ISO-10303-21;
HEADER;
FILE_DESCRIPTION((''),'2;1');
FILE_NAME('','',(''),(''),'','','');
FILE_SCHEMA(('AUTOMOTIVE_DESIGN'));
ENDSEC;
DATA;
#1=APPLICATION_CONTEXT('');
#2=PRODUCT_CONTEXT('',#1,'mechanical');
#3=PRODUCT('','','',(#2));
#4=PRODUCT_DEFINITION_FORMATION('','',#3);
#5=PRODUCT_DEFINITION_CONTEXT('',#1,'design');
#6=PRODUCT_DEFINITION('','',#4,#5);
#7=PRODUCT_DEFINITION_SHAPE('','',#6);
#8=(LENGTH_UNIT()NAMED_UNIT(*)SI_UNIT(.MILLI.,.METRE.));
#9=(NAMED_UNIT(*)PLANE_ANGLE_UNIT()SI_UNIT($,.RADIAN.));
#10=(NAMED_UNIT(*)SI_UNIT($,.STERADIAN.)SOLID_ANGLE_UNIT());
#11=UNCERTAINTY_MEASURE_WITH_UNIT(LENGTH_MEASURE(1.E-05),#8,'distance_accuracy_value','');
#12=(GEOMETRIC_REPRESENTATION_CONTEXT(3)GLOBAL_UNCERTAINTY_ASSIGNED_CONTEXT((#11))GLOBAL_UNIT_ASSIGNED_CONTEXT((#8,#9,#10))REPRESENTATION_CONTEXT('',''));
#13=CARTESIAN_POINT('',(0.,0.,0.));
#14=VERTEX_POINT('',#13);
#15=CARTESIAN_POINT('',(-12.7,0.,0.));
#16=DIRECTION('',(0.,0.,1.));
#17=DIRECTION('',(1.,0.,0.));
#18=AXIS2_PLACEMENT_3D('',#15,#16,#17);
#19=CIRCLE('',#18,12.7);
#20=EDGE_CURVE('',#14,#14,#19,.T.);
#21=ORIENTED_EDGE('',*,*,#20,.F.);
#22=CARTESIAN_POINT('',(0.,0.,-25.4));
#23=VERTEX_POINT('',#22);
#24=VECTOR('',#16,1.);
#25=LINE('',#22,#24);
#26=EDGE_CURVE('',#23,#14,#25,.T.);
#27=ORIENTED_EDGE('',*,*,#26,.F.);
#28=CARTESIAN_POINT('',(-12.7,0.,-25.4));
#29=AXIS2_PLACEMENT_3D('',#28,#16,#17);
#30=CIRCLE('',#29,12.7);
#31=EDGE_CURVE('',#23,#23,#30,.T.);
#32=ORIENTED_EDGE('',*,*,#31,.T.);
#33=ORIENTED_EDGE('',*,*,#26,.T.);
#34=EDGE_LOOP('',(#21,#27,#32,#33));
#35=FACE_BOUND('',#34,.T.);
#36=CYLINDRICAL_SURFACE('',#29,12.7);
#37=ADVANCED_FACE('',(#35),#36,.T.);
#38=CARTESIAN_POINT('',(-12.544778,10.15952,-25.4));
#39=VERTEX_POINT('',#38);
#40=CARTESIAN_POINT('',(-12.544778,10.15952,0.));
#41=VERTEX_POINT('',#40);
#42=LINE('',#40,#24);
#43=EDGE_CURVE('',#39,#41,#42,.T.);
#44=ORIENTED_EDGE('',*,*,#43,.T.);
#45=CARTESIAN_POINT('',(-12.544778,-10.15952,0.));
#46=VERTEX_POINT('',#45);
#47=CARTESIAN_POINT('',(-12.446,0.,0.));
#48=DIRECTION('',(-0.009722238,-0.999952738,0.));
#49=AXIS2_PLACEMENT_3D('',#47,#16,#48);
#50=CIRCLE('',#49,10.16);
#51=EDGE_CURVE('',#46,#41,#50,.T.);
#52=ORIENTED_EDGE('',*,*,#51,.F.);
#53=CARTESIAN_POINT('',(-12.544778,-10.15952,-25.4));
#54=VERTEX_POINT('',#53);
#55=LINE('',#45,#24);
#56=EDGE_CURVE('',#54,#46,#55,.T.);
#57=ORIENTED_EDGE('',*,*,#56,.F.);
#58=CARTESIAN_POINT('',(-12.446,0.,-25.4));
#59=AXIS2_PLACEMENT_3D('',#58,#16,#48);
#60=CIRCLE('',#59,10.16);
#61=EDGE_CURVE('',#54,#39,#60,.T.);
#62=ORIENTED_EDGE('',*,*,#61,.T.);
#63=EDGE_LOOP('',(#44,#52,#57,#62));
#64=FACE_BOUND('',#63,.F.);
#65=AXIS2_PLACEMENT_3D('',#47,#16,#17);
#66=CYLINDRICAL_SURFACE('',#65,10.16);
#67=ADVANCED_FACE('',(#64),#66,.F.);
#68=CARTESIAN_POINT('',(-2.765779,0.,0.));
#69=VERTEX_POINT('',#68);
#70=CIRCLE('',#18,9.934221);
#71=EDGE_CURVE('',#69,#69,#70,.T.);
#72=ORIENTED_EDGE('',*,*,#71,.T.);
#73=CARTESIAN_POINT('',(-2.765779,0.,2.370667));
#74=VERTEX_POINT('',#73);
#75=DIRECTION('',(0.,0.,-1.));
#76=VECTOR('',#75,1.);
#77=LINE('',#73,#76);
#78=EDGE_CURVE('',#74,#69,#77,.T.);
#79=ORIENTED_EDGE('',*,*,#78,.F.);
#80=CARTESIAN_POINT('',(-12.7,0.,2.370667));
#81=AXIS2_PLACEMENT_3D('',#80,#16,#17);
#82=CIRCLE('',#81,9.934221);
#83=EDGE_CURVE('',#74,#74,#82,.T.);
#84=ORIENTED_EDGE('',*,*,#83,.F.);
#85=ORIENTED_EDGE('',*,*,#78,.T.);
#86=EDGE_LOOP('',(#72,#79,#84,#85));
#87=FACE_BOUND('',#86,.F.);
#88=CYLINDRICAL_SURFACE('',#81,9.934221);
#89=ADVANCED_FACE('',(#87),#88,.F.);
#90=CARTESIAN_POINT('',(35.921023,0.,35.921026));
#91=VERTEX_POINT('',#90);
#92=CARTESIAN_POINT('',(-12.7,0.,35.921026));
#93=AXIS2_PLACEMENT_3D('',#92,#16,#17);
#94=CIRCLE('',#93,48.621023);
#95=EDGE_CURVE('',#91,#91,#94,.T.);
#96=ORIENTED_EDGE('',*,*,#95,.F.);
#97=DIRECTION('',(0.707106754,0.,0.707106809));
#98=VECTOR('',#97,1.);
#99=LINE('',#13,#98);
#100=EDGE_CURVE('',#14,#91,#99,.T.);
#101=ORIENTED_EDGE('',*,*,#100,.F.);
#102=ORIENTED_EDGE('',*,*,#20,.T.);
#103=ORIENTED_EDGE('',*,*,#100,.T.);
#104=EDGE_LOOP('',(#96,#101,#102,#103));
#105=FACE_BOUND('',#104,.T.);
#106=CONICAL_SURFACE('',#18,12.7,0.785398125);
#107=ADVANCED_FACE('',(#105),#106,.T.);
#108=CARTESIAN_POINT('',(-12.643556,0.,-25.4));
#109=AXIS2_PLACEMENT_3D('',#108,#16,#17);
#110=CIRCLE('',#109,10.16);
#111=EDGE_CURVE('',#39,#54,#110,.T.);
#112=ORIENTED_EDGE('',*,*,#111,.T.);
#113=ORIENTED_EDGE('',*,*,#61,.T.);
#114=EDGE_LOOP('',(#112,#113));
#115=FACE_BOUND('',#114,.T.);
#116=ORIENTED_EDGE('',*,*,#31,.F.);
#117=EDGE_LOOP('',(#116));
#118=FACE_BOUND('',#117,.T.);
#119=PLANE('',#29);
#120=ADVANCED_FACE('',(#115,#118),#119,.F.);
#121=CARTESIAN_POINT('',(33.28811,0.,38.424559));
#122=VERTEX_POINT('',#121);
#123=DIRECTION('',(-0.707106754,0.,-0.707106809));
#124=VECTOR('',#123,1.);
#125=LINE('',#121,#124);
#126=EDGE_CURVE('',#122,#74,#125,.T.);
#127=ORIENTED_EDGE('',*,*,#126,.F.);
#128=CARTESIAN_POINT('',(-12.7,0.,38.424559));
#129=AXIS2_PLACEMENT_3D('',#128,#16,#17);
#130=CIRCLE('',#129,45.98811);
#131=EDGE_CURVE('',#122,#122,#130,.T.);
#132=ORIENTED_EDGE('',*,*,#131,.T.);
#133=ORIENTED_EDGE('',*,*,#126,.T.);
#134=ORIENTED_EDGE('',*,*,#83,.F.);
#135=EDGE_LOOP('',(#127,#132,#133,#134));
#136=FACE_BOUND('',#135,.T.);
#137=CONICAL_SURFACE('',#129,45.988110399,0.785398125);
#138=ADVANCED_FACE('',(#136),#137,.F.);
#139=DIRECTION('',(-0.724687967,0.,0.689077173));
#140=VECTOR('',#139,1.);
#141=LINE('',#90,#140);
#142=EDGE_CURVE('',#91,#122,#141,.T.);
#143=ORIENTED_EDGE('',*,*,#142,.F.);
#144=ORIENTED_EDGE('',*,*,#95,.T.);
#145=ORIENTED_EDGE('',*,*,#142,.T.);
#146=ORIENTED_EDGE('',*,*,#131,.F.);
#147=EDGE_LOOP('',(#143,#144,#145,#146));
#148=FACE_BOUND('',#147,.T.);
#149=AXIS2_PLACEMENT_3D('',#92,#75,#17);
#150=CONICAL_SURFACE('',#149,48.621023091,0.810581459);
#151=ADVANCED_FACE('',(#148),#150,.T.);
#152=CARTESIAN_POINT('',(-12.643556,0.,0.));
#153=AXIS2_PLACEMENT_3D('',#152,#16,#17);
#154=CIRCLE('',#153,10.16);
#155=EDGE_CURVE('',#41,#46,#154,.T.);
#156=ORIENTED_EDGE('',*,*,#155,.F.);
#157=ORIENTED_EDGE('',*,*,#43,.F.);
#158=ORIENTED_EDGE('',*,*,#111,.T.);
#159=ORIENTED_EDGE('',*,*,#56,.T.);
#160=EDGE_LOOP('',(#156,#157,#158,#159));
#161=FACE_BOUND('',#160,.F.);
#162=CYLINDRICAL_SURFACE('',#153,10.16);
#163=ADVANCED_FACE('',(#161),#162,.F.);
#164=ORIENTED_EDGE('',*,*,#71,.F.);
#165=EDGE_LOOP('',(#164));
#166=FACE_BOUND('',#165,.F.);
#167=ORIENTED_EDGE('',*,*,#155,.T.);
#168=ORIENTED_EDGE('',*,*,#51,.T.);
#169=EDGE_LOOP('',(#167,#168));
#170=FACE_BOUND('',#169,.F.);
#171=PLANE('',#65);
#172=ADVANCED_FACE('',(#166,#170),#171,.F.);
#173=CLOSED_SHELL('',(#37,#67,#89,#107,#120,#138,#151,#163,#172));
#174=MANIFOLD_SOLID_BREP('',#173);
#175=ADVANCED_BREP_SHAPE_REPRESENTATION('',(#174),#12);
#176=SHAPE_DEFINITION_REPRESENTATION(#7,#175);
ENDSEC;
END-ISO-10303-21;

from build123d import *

# Parameters (mm, degrees)
F2_R     = 10.16
F3_DEPTH = 50.8
F4_R     = 10.16
F5_DEPTH = 25.4
F6_DEPTH = 25.4


with BuildPart() as f1:
    # F0 (on Front) → F1 (revolve)
    with BuildSketch(Plane.XZ):
        Polygon((0, 0), (35.9210230905, 35.921025878), (33.2881103987, 38.4245585941), (-2.765778685, 2.3706667125), (-12.7, 2.3706667125), (-12.7, -25.4), (0, -25.4), align=None)
    revolve(axis=Axis((-12.7, 0, -11.5146666437), (0, 0, 1)))

    # F2 (on Top) → F3 (cut)
    with BuildSketch(Plane.XY):
        with Locations((-12.6435561106, 0)):
            Circle(F2_R)
    extrude(amount=-F3_DEPTH, mode=Mode.SUBTRACT)

    # F4 (on Top) → F5 (cut)
    with BuildSketch(Plane.XY):
        with Locations((-12.4460002407, 0)):
            Circle(F4_R)
    extrude(amount=-F5_DEPTH, mode=Mode.SUBTRACT)

    # F6 (cut): a face of the model
    f6_faces = [f1.faces().sort_by_distance(p)[0] for p in [
        (-12.7, 0, 2.3706667125),
    ]]
    extrude(f6_faces, amount=-F6_DEPTH, mode=Mode.SUBTRACT)


solid = f1.part
